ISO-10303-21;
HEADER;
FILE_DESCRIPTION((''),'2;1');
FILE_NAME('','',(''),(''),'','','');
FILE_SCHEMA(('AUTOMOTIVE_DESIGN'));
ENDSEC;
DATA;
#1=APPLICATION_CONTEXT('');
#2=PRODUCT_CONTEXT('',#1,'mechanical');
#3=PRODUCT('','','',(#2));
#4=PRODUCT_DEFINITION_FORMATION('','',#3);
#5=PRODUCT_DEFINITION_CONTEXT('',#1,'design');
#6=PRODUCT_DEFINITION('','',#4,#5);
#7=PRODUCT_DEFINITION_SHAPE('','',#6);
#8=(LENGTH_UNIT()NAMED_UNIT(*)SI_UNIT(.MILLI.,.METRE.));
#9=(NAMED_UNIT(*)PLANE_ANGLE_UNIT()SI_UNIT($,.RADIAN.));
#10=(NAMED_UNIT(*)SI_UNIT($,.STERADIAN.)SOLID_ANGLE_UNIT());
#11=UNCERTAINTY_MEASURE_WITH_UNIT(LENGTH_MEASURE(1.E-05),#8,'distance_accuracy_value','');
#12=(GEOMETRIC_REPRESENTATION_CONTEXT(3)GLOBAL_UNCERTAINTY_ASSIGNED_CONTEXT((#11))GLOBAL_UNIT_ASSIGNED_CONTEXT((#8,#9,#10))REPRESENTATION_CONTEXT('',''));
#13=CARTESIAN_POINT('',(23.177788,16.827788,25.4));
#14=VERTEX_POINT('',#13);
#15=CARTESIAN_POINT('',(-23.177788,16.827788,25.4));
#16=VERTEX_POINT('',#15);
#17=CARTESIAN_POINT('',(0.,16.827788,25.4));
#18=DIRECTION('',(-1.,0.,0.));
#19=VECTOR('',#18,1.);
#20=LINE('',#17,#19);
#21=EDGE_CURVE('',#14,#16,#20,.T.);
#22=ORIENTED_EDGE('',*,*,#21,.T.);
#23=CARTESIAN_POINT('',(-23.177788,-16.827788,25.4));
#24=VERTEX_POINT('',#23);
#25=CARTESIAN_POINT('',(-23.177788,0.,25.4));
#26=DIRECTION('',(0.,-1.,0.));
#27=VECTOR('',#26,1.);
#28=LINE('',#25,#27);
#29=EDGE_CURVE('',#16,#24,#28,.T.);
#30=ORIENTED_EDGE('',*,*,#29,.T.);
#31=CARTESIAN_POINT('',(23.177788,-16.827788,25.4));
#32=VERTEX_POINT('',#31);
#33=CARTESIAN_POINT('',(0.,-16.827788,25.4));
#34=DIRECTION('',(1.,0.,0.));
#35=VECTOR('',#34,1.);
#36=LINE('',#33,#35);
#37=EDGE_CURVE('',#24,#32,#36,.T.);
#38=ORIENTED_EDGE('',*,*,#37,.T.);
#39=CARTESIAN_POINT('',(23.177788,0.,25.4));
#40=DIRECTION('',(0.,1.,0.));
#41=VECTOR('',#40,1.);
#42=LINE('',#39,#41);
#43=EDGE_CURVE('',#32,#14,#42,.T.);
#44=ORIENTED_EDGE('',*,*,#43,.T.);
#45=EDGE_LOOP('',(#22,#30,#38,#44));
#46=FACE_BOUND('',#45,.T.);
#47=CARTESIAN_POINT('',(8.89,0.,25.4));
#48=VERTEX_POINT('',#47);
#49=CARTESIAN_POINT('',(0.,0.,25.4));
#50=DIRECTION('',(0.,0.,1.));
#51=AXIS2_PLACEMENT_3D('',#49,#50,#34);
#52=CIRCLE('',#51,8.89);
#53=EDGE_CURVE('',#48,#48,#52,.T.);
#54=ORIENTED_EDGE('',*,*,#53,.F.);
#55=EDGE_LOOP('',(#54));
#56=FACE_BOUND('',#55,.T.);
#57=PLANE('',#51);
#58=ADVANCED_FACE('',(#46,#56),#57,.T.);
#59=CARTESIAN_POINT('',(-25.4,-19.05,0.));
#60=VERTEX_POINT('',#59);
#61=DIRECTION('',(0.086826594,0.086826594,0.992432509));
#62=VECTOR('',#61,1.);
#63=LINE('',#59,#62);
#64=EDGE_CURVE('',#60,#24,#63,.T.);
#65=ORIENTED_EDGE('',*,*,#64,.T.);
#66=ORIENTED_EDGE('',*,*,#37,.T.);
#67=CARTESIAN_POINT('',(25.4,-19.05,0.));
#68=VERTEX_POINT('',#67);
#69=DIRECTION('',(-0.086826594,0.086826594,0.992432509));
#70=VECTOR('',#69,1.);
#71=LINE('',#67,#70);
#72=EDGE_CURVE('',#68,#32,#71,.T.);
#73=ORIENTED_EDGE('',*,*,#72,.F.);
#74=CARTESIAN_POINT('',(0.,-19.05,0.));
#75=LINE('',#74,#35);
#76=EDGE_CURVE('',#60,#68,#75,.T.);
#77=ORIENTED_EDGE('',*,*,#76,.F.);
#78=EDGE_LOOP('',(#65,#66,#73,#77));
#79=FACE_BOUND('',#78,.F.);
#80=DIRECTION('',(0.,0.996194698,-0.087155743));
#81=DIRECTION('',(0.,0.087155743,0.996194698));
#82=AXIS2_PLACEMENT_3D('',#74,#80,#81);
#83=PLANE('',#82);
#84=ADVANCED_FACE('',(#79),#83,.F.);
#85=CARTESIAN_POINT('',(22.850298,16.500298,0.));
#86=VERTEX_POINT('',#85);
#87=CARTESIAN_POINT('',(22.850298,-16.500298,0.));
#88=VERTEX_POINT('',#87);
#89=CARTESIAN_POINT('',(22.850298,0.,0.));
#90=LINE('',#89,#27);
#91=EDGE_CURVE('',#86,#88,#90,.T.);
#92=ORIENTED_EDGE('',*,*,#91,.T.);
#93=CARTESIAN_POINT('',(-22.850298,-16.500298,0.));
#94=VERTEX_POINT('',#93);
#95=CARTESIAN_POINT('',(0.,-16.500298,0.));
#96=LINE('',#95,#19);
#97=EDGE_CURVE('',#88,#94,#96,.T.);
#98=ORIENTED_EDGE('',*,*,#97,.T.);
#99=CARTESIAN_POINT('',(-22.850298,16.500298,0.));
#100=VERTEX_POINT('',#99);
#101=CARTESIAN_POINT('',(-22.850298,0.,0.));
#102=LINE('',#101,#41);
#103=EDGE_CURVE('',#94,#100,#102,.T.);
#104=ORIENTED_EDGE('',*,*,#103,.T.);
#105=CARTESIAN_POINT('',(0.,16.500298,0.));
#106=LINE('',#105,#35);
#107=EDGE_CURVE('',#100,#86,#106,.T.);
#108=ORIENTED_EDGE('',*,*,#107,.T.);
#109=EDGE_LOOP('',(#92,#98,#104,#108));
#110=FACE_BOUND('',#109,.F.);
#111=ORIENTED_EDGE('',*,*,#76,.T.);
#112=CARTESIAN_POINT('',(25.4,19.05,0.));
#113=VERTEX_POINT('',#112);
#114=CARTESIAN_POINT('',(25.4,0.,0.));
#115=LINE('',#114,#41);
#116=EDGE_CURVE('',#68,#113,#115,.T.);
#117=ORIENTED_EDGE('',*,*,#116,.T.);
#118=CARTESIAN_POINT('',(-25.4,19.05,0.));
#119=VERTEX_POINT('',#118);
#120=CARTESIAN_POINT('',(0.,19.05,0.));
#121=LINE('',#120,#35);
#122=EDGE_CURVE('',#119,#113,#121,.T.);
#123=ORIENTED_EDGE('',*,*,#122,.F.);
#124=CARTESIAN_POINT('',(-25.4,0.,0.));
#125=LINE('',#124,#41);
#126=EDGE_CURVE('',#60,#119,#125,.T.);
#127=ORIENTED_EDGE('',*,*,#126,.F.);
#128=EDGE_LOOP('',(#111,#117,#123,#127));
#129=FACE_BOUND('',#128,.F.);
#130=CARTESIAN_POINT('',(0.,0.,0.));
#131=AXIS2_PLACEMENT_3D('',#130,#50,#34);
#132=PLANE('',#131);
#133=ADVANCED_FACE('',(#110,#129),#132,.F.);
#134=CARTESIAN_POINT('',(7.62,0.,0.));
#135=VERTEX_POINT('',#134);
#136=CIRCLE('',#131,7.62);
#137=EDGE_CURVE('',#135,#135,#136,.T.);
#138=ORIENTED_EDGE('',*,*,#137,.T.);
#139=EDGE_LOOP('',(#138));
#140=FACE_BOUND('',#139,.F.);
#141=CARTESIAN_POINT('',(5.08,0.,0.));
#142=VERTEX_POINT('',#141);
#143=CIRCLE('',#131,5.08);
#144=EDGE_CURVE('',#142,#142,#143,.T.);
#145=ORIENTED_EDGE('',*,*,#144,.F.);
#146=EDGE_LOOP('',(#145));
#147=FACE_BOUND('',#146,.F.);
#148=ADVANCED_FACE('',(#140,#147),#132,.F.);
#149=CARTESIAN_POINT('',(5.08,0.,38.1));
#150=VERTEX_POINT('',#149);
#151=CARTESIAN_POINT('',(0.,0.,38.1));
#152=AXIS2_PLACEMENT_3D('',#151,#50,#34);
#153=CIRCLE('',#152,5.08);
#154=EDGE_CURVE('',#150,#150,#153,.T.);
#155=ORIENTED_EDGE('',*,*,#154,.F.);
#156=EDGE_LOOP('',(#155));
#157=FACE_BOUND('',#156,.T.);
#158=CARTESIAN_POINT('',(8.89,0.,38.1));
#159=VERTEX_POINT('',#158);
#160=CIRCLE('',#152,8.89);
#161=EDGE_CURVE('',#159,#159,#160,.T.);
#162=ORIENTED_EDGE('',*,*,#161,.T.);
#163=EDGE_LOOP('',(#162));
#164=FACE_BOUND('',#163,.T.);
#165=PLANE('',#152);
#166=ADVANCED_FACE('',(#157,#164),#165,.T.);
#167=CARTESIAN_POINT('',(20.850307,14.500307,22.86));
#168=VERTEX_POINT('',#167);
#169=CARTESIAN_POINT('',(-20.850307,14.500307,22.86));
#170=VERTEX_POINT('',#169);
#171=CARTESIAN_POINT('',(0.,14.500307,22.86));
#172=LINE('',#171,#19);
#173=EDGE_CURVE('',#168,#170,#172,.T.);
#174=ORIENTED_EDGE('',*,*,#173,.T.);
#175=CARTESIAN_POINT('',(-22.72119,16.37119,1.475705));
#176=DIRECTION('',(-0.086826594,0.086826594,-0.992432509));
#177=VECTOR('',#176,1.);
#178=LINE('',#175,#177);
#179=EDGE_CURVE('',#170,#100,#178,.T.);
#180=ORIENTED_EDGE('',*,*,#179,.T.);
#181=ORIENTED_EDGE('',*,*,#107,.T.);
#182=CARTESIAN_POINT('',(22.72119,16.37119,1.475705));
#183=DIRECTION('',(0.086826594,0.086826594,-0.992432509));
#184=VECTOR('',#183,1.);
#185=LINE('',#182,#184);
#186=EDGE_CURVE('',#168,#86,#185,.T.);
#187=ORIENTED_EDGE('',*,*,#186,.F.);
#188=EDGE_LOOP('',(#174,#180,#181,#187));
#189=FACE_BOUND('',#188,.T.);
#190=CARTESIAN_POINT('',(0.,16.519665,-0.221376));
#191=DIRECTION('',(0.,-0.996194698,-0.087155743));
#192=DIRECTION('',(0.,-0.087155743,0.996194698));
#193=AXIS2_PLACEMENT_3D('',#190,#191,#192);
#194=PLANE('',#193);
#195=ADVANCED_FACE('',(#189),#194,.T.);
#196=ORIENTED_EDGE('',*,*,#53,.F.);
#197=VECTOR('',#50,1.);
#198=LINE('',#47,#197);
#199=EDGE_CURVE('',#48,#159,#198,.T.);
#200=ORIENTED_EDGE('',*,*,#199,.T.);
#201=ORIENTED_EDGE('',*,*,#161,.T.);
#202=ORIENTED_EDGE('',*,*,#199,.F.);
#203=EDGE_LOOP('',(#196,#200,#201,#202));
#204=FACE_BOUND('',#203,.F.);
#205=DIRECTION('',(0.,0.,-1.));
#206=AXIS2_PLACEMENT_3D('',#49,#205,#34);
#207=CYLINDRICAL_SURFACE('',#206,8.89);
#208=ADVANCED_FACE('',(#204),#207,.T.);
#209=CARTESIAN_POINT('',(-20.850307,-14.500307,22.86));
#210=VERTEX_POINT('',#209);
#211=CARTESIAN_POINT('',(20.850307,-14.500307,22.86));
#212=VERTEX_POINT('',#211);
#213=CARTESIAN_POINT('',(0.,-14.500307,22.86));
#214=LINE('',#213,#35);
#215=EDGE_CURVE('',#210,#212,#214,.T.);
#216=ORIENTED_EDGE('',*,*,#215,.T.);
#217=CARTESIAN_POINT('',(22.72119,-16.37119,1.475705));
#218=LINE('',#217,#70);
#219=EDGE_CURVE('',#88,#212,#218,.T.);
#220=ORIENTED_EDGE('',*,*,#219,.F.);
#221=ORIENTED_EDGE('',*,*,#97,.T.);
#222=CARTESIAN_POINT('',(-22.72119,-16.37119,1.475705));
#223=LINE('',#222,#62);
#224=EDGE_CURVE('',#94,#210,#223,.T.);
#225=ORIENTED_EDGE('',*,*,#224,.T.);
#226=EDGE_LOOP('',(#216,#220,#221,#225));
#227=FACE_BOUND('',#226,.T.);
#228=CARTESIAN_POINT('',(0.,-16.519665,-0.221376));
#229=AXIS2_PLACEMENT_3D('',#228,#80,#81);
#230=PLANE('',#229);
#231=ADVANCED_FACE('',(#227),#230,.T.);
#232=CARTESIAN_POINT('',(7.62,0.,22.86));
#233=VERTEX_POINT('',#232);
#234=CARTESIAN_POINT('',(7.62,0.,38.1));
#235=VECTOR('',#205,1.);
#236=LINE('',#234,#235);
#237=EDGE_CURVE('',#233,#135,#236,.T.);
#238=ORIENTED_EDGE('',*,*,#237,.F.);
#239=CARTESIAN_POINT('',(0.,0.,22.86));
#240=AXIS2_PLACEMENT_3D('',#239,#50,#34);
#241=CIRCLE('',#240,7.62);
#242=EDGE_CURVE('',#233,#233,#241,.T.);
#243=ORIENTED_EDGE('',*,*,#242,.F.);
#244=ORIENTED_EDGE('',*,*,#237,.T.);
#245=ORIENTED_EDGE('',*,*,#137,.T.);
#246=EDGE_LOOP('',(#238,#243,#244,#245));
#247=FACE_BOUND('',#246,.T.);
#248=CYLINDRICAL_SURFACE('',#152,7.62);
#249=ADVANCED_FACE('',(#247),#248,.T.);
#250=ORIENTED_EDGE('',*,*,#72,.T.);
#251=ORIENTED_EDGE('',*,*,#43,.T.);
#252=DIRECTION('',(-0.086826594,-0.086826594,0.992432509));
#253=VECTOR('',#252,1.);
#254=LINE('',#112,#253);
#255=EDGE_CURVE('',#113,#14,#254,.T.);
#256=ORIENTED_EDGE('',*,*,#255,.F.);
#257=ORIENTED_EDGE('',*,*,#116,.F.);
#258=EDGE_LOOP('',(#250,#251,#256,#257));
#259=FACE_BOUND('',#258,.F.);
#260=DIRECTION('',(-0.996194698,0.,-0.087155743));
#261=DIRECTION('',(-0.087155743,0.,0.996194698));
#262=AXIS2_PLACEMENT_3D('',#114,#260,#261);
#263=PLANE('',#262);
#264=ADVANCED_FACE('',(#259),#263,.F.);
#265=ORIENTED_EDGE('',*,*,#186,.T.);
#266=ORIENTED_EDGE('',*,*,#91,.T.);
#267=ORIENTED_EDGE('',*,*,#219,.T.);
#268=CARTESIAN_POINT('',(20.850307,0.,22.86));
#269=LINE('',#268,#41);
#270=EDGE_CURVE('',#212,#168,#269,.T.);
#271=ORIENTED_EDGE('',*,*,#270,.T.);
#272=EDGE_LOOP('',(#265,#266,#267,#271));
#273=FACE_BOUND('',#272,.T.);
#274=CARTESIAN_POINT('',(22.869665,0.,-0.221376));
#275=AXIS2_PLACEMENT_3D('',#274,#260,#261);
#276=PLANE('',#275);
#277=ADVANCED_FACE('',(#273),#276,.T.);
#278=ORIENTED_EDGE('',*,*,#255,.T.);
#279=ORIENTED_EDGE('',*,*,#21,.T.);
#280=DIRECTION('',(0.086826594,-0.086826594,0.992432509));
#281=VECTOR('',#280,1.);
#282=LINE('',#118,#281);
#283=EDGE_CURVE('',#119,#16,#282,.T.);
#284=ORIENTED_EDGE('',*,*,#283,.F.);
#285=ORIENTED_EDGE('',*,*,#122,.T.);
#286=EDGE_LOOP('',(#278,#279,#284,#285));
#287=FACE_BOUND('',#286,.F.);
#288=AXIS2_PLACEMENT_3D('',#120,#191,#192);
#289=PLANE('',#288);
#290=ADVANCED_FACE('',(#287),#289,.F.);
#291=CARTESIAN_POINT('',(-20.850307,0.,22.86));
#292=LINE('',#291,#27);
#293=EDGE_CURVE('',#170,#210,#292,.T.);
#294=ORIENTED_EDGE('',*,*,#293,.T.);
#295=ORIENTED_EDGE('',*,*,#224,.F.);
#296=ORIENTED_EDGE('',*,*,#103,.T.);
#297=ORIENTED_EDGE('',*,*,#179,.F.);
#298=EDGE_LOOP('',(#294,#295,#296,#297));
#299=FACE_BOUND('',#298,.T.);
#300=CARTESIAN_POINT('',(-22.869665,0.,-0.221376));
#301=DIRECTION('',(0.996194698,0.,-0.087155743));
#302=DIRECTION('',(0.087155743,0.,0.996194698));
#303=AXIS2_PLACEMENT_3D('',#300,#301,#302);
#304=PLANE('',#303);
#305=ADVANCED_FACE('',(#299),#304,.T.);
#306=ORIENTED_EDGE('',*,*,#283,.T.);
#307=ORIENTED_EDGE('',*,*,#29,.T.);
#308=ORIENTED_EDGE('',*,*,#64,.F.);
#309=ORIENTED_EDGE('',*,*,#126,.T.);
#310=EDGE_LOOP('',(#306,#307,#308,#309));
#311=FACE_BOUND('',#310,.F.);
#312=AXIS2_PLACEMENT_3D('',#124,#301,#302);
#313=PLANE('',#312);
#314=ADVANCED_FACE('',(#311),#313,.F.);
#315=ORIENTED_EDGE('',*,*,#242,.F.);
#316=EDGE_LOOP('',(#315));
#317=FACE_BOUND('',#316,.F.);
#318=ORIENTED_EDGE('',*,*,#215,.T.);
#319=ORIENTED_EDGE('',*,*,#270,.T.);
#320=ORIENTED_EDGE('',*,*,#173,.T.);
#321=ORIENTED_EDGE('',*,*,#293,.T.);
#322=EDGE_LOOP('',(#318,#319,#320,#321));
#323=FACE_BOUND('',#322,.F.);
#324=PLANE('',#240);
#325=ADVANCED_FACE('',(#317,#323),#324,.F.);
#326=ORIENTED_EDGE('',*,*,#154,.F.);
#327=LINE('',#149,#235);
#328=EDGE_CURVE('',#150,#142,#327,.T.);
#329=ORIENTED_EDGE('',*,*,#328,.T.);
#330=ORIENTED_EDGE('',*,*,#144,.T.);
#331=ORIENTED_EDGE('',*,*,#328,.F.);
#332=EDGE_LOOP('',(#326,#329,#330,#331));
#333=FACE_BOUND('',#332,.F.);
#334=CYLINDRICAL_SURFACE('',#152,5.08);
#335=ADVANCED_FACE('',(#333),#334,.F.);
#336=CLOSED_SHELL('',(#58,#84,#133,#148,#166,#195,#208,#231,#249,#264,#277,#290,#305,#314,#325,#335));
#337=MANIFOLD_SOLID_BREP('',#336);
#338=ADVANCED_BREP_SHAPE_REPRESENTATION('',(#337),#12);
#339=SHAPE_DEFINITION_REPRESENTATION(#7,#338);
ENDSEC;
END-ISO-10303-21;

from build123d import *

# Parameters (mm, degrees)
F0_W     = 50.8
F0_H     = 38.1
F1_DEPTH = 25.4
F1_TAPER = 5
F2_R     = 8.89
F3_DEPTH = 12.7
F4_R     = 5.08
F5_DEPTH = 38.101
F6_T     = -2.54


with BuildPart() as f1:
    # F0 (on Top) → F1 (new body)
    with BuildSketch(Plane.XY):
        Rectangle(F0_W, F0_H)
    extrude(amount=F1_DEPTH, taper=F1_TAPER)

    # F2 (on face) → F3 (join)
    with BuildSketch(Plane.XY.offset(25.4)):
        Circle(F2_R)
    extrude(amount=F3_DEPTH)

    # F4 (on face) → F5 (cut, through all)
    with BuildSketch(Plane.XY.offset(38.1)):
        Circle(F4_R)
    extrude(amount=-F5_DEPTH, mode=Mode.SUBTRACT)

    # F6
    f6_openings = [f1.faces().sort_by_distance(p)[0] for p in [
        (24.765, 0, 0),
    ]]
    offset(amount=F6_T, openings=f6_openings, kind=Kind.INTERSECTION)


solid = f1.part
